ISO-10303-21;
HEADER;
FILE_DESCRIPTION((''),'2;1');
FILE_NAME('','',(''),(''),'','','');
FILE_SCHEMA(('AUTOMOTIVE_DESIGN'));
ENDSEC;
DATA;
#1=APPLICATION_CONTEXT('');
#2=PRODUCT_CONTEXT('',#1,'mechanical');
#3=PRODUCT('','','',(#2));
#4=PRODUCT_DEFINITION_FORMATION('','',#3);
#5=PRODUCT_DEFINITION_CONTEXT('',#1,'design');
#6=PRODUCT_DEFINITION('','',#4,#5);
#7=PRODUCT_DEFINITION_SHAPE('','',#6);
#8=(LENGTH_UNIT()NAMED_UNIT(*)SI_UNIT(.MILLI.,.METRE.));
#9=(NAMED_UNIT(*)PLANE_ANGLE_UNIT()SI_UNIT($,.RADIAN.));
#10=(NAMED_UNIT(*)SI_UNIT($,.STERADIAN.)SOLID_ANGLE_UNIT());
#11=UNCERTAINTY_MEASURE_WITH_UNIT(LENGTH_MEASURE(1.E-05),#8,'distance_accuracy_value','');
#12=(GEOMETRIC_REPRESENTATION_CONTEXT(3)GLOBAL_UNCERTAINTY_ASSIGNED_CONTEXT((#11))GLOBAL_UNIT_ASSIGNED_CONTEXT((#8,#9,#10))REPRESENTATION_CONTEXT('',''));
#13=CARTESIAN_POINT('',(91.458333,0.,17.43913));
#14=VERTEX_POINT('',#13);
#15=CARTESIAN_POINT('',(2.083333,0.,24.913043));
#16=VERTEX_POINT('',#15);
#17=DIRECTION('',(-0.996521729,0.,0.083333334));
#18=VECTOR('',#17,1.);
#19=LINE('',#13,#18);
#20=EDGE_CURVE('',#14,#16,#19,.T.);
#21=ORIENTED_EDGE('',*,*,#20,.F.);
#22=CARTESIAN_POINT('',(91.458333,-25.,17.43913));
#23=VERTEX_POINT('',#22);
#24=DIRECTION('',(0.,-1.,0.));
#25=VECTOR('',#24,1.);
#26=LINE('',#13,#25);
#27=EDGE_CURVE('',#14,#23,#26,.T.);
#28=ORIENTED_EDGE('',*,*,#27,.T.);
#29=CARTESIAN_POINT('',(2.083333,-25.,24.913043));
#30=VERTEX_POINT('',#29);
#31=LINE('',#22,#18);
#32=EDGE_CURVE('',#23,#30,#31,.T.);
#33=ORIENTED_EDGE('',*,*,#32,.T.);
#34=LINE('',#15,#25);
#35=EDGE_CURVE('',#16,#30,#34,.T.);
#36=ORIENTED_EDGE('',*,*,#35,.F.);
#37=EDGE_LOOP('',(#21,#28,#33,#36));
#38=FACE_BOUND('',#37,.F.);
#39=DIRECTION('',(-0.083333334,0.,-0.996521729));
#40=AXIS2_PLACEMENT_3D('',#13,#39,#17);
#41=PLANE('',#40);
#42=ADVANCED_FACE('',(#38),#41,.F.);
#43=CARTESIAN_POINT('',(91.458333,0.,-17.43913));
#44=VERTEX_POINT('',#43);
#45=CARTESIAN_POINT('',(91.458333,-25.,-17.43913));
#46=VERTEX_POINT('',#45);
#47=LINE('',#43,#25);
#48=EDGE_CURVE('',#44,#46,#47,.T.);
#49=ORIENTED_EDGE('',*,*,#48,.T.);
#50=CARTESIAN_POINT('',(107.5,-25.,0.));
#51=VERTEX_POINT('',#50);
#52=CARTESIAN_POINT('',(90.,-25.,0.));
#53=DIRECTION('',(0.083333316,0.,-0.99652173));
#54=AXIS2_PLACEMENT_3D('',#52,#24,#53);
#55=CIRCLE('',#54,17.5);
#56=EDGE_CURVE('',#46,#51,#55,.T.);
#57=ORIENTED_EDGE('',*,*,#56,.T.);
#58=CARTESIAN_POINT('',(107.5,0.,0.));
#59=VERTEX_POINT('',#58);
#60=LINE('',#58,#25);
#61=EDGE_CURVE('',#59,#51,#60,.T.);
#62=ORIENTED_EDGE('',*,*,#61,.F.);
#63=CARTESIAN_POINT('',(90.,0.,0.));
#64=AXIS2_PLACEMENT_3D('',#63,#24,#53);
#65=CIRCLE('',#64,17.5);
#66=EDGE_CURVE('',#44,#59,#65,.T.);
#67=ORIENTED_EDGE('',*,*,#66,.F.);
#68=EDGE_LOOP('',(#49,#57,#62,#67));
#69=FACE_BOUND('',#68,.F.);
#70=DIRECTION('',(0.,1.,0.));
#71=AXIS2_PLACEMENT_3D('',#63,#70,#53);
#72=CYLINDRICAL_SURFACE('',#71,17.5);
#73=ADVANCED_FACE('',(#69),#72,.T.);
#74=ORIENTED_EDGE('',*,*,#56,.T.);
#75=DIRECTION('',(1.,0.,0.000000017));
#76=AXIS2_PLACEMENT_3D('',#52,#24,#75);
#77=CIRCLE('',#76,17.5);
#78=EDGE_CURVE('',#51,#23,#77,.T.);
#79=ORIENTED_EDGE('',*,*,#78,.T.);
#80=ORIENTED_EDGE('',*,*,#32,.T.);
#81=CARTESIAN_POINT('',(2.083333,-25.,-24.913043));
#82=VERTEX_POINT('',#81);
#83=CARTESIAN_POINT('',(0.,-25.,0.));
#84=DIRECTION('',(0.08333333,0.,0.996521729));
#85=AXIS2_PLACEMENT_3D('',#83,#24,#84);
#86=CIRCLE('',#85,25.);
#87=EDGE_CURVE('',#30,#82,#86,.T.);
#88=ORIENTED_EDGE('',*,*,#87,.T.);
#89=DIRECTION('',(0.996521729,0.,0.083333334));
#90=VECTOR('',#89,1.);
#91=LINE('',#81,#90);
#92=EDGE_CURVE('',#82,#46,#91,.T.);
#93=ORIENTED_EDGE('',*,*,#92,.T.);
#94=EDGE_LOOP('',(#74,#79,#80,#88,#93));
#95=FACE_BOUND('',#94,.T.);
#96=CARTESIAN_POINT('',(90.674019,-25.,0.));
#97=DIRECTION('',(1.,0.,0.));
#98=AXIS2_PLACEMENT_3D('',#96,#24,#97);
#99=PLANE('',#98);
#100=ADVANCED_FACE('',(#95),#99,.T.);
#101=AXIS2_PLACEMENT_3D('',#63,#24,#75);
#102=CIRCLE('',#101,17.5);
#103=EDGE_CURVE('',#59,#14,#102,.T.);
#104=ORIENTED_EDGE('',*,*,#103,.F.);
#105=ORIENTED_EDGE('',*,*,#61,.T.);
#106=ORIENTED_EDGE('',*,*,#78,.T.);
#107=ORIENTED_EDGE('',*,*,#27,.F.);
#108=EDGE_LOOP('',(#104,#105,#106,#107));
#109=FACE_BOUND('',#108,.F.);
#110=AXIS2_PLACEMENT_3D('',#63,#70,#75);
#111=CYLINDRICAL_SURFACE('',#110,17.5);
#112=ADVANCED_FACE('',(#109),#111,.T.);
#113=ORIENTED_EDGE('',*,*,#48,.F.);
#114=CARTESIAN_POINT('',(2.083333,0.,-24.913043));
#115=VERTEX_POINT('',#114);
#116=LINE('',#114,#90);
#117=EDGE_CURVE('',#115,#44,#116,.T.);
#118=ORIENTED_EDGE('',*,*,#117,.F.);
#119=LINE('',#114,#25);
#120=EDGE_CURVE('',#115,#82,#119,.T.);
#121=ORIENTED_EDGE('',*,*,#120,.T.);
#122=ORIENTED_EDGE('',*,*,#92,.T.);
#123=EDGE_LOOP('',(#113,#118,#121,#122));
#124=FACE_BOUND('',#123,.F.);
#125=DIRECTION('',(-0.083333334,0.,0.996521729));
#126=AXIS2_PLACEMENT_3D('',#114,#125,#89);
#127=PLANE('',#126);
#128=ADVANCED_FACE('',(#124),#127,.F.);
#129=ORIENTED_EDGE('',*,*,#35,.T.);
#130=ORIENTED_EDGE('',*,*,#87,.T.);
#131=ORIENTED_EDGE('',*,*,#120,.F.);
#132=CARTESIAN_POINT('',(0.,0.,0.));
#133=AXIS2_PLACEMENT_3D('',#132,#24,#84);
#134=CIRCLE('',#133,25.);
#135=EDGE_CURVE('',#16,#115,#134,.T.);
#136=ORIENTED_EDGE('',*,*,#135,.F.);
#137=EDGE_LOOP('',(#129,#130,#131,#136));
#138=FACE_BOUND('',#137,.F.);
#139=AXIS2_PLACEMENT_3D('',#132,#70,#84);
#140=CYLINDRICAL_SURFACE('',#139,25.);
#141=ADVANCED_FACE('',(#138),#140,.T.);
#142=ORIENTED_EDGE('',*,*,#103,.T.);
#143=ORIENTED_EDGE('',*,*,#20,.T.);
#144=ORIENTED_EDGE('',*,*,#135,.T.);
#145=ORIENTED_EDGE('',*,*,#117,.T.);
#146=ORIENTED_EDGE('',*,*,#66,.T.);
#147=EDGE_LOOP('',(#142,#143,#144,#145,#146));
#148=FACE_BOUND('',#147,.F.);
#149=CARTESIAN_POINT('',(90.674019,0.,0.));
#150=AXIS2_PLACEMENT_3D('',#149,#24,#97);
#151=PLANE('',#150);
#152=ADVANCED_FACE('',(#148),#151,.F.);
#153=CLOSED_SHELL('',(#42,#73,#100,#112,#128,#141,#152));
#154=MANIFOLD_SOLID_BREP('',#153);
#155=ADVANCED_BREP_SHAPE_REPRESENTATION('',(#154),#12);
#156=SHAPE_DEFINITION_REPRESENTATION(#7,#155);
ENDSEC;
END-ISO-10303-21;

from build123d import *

# Parameters (mm, degrees)
F1_DEPTH = 25


with BuildPart() as f1:
    # F0 (on Front) → F1 (new body)
    with BuildSketch(Plane.XZ):
        with BuildLine():
            ThreePointArc((107.5, 0), (102.879651, 11.847556), (91.458333, 17.43913))
            ThreePointArc((91.458333, 17.43913), (72.5, 0), (91.458333, -17.43913))
            ThreePointArc((91.458333, -17.43913), (102.879651, -11.847556), (107.5, 0))
        make_face()
        with BuildLine():
            ThreePointArc((2.083333, -24.913043), (18.399502, -16.92508), (25, 0))
            ThreePointArc((25, 0), (18.399502, 16.92508), (2.083333, 24.913043))
            ThreePointArc((2.083333, 24.913043), (-25, 0), (2.083333, -24.913043))
        make_face()
        with BuildLine():
            ThreePointArc((2.083333, 24.913043), (18.399502, 16.92508), (25, 0))
            ThreePointArc((25, 0), (18.399502, -16.92508), (2.083333, -24.913043))
            Line((2.083333, -24.913043), (91.458333, -17.43913))
            ThreePointArc((91.458333, -17.43913), (72.5, 0), (91.458333, 17.43913))
            Line((91.458333, 17.43913), (2.083333, 24.913043))
        make_face()
    extrude(amount=F1_DEPTH)


solid = f1.part
